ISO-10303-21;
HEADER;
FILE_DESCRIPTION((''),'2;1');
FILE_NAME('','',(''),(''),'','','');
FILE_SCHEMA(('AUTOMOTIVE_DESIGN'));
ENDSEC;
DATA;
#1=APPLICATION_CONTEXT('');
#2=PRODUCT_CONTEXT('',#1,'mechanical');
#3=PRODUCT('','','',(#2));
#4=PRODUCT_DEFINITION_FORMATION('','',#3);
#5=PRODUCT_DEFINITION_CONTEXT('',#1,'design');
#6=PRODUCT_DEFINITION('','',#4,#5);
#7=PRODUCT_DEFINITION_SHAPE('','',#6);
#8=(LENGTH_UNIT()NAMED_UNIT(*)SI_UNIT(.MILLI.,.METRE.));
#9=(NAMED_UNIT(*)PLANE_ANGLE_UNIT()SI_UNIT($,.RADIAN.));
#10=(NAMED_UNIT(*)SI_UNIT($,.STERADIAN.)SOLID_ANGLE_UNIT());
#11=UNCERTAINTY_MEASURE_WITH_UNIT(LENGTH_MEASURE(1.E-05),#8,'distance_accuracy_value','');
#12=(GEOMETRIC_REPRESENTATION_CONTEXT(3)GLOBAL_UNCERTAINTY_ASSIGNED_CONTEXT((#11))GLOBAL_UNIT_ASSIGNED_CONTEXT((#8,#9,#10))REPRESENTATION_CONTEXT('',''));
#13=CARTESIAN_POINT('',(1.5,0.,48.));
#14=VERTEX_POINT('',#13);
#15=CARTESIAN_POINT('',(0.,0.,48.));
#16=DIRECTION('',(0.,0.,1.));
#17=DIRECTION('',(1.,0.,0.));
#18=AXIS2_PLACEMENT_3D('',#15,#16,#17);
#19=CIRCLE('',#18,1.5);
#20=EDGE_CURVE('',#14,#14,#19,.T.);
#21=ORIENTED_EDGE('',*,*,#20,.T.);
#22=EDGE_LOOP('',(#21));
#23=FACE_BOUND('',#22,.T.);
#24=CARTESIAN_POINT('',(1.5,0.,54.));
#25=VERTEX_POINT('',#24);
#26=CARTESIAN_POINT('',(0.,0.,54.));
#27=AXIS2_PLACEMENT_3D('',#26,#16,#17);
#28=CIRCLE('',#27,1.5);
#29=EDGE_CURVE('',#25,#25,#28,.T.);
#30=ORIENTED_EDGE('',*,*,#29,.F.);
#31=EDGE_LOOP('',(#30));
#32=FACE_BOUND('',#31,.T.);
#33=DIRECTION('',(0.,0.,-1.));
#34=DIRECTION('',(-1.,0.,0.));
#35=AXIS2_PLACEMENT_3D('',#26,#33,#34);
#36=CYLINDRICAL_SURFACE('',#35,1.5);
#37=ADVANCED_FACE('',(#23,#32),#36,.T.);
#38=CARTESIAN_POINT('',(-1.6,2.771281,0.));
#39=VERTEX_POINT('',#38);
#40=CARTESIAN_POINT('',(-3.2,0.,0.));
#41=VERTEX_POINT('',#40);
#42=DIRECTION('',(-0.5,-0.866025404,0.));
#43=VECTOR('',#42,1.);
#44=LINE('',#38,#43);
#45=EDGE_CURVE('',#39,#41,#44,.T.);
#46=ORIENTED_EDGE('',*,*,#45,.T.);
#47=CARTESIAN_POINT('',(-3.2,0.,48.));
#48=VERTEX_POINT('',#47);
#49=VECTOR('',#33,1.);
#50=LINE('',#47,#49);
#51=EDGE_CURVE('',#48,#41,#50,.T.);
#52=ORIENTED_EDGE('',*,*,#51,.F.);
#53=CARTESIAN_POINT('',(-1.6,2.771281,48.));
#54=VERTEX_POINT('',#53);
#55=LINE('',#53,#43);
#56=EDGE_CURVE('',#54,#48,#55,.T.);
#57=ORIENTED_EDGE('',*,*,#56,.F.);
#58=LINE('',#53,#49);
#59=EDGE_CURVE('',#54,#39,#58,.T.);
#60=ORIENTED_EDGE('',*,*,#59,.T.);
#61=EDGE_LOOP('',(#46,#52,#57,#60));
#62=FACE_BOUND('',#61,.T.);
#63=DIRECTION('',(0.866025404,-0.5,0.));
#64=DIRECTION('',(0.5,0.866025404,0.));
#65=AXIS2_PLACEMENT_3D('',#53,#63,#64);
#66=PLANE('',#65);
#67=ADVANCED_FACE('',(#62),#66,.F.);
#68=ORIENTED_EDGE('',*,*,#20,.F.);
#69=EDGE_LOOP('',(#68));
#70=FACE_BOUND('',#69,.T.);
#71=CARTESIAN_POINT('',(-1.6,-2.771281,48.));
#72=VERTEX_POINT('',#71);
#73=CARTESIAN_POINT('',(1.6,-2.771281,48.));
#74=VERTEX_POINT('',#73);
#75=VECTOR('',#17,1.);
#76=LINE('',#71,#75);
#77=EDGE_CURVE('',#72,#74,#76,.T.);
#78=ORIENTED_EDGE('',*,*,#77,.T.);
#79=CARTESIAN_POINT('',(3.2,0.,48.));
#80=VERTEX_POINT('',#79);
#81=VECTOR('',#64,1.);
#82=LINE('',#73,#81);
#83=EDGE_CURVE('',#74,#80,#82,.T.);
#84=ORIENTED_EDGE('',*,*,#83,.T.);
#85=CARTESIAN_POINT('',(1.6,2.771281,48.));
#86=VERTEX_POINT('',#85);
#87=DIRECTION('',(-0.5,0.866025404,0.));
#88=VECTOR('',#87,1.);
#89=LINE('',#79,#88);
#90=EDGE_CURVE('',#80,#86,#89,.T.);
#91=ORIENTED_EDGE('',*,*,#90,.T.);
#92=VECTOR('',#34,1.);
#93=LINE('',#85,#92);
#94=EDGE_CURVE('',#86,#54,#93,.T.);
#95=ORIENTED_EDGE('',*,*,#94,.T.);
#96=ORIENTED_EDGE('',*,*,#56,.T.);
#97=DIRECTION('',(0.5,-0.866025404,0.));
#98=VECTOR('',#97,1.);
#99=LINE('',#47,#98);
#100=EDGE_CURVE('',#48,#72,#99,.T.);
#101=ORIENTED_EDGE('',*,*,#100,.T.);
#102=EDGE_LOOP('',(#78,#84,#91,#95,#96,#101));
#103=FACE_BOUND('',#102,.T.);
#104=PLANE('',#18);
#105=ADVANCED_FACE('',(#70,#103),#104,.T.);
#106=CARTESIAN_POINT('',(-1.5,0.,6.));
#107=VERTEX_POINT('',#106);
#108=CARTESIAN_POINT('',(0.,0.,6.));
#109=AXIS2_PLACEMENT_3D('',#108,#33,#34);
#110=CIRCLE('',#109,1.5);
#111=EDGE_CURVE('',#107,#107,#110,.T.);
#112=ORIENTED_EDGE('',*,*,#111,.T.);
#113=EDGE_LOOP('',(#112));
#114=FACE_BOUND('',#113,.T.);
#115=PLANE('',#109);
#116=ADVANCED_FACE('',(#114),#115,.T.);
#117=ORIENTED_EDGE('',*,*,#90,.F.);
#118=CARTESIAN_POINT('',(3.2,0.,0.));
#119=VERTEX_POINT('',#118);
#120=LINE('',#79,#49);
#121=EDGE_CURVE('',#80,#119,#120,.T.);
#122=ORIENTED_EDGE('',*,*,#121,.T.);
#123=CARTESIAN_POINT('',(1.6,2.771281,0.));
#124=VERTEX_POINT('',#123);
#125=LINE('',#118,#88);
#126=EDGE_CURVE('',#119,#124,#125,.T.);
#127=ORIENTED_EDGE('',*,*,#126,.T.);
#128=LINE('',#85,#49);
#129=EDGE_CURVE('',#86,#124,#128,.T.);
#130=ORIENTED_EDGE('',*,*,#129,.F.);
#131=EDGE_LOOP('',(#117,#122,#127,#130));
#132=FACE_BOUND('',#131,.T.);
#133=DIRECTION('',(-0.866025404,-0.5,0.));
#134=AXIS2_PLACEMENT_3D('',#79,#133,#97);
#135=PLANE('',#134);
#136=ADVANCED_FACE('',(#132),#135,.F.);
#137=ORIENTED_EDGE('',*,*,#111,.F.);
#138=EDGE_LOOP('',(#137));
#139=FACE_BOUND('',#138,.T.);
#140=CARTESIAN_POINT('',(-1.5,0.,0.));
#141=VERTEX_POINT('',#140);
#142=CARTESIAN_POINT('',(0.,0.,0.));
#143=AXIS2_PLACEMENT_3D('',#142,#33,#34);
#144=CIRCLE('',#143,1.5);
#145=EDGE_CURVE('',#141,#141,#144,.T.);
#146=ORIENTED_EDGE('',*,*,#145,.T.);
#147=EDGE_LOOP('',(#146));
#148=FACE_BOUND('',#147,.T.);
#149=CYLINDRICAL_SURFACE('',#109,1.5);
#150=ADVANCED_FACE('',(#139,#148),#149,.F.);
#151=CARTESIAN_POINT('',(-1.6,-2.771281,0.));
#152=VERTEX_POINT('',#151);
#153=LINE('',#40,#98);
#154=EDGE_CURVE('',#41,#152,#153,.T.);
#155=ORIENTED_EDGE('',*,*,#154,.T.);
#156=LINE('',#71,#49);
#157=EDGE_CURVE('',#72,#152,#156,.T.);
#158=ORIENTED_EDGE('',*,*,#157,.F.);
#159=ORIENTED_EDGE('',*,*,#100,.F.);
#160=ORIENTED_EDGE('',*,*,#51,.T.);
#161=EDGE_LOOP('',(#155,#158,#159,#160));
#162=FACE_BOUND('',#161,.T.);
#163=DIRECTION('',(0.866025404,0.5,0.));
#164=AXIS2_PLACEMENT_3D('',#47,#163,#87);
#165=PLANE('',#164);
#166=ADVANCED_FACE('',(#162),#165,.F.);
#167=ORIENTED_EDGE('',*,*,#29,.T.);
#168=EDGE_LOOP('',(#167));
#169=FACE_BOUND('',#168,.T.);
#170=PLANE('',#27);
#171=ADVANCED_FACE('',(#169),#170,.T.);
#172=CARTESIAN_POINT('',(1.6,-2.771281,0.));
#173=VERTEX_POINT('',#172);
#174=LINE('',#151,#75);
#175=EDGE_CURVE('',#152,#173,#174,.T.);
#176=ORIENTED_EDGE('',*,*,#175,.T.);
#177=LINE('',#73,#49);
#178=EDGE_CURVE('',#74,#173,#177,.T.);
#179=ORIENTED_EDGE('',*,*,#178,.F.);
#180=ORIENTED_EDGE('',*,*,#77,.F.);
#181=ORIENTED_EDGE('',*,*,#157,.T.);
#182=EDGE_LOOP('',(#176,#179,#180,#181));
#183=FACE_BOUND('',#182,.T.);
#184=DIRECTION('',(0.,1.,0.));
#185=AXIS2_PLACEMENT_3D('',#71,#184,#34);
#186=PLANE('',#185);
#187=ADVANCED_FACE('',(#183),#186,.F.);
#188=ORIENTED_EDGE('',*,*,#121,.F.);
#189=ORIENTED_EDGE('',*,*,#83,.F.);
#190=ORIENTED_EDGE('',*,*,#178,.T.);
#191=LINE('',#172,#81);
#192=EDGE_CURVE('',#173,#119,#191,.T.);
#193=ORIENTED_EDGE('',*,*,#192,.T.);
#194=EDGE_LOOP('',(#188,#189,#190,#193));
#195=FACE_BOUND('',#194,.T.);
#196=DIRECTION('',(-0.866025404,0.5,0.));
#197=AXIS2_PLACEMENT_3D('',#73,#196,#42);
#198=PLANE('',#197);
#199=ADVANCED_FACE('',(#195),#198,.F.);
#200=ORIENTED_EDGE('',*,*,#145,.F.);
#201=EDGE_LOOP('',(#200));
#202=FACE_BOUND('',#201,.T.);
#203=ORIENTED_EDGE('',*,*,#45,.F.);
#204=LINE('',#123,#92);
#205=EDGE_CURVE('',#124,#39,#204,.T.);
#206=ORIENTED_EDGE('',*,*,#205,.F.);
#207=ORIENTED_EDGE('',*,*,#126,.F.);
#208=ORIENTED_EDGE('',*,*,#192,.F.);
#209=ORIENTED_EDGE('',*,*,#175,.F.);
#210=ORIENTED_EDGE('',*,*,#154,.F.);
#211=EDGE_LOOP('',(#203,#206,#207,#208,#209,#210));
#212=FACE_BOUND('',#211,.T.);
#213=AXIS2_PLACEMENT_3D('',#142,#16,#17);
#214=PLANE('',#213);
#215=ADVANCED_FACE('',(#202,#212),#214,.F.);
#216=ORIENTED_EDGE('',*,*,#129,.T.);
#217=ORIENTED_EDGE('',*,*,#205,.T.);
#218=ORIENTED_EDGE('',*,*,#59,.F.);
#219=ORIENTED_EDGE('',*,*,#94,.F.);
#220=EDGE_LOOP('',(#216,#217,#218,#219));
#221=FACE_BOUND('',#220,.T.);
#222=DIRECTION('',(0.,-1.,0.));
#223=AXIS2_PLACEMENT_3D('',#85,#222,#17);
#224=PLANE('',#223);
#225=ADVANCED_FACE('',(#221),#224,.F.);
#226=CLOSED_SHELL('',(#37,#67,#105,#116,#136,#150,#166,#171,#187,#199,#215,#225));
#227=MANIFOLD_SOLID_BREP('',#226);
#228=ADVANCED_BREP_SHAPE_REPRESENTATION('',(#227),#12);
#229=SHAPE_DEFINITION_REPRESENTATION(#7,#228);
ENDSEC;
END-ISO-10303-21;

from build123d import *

# Parameters (mm, degrees)
EXTRUDE_1_DEPTH     = 48
SKETCH_4_R          = 1.5
CUT_EXTRUDE_1_DEPTH = 6
SKETCH_5_R          = 1.5
EXTRUDE_2_DEPTH     = 6


with BuildPart() as part:
    # 草图3 → 凸台-拉伸1 (new body)
    with BuildSketch(Plane.XY):
        Polygon((1.6, 2.771281292), (-1.6, 2.771281292), (-3.2, 0), (-1.6, -2.771281292), (1.6, -2.771281292), (3.2, 0), align=None)
    extrude(amount=EXTRUDE_1_DEPTH)

    # 草图4 → 切除-拉伸1 (cut)
    with BuildSketch(Plane(origin=(0, 0, 0), x_dir=(-1, 0, 0), z_dir=(0, 0, -1))):
        Circle(SKETCH_4_R)
    extrude(amount=-CUT_EXTRUDE_1_DEPTH, mode=Mode.SUBTRACT)

    # 草图5 → 凸台-拉伸2 (add)
    with BuildSketch(Plane.XY.offset(48)):
        with Locations(Location((0, 0, 0), (0, 0, 180))):
            Circle(SKETCH_5_R)
    extrude(amount=EXTRUDE_2_DEPTH)


solid = part.part
